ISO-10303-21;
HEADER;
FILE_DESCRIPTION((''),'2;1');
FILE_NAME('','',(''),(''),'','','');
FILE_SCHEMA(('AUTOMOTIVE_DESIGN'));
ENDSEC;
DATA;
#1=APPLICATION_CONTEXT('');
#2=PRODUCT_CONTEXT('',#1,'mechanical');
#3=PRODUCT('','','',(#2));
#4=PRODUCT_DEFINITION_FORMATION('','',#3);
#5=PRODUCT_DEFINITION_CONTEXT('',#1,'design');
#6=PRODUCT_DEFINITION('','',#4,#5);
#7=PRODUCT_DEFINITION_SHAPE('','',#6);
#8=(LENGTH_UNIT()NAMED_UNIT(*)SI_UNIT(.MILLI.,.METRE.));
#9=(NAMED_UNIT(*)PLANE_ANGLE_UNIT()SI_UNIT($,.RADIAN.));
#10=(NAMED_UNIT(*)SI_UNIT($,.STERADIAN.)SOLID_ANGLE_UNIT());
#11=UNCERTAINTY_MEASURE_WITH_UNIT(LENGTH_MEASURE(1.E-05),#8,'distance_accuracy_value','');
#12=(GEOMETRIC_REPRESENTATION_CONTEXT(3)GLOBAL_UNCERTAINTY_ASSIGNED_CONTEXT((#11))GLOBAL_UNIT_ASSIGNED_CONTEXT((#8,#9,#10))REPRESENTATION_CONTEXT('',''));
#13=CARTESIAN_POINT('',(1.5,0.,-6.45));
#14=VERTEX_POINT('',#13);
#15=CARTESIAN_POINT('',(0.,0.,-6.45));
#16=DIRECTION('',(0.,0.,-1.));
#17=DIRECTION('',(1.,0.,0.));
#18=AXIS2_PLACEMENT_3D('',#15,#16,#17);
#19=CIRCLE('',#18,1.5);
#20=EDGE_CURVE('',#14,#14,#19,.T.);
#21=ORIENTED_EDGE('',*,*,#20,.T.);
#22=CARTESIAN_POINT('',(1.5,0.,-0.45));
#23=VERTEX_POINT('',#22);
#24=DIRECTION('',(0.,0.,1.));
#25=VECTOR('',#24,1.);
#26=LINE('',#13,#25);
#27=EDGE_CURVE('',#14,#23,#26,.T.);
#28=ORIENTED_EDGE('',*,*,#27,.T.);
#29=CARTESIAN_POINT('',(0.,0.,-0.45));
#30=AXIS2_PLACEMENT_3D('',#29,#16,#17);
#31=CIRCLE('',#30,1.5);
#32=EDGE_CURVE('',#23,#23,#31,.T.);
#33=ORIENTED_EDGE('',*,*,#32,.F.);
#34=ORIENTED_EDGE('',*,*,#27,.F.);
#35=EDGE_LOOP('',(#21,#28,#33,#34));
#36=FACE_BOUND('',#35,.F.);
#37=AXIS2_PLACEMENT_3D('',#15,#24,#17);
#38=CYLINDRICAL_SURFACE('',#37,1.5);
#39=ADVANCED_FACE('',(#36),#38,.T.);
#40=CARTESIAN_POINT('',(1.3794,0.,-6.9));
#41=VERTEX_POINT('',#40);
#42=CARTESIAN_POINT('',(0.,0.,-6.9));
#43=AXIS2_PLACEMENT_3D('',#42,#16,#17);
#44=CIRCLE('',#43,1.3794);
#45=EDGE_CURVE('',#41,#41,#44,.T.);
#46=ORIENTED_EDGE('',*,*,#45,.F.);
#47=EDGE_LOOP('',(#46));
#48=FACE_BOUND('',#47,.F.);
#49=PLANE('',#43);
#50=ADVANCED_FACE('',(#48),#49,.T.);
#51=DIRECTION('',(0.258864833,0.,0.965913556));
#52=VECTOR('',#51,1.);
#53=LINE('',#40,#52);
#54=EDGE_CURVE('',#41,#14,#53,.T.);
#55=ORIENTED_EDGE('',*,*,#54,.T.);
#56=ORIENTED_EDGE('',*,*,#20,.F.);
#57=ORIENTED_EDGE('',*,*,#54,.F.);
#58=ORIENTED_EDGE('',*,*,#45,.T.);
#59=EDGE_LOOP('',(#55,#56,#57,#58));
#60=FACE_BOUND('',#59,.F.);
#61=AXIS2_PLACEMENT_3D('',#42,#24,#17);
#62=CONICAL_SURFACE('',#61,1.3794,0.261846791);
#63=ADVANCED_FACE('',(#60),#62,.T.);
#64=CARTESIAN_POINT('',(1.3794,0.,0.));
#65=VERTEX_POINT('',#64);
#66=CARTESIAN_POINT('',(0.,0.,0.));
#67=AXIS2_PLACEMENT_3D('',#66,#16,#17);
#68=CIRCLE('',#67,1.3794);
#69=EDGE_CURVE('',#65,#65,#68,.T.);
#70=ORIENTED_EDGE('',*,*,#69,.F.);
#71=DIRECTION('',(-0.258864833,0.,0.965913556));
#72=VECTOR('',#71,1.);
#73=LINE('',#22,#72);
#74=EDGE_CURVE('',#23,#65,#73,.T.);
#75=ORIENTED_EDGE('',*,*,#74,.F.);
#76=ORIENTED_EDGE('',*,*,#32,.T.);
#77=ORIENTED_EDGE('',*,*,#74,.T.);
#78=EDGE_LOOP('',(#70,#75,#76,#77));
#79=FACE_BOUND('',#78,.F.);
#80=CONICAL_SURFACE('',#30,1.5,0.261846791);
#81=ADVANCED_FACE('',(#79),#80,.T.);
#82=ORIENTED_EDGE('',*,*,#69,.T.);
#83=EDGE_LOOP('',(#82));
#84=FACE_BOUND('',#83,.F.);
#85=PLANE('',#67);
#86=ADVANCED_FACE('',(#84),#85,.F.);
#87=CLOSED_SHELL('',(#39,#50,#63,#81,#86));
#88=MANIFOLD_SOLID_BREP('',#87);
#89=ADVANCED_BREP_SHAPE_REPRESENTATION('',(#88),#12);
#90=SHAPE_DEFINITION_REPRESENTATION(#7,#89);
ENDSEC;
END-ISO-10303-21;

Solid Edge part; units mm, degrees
sketch "Sketch1" plane through (0, 0, 0) normal (0, -1, 0) x (1, 0, 0)
  line L0 (0, -6.9) -> (1.3794, -6.9)
  line L1 (1.3794, -6.9) -> (1.5, -6.45)
  line L2 (1.5, -6.45) -> (1.5, -0.45)
  line L3 (1.5, -0.45) -> (1.3794, 0)
  line L4 (1.3794, 0) -> (0, 0)
  dimension "D1" = 1.5
  dimension "D2" = 6
  dimension "D3" = 0.45
revolve "RevolvedProtrusion_1" add sketch "Sketch1" angle 360 about axis through (0, 0, 0) along (0, 0, -1)
properties material "Stahl"
